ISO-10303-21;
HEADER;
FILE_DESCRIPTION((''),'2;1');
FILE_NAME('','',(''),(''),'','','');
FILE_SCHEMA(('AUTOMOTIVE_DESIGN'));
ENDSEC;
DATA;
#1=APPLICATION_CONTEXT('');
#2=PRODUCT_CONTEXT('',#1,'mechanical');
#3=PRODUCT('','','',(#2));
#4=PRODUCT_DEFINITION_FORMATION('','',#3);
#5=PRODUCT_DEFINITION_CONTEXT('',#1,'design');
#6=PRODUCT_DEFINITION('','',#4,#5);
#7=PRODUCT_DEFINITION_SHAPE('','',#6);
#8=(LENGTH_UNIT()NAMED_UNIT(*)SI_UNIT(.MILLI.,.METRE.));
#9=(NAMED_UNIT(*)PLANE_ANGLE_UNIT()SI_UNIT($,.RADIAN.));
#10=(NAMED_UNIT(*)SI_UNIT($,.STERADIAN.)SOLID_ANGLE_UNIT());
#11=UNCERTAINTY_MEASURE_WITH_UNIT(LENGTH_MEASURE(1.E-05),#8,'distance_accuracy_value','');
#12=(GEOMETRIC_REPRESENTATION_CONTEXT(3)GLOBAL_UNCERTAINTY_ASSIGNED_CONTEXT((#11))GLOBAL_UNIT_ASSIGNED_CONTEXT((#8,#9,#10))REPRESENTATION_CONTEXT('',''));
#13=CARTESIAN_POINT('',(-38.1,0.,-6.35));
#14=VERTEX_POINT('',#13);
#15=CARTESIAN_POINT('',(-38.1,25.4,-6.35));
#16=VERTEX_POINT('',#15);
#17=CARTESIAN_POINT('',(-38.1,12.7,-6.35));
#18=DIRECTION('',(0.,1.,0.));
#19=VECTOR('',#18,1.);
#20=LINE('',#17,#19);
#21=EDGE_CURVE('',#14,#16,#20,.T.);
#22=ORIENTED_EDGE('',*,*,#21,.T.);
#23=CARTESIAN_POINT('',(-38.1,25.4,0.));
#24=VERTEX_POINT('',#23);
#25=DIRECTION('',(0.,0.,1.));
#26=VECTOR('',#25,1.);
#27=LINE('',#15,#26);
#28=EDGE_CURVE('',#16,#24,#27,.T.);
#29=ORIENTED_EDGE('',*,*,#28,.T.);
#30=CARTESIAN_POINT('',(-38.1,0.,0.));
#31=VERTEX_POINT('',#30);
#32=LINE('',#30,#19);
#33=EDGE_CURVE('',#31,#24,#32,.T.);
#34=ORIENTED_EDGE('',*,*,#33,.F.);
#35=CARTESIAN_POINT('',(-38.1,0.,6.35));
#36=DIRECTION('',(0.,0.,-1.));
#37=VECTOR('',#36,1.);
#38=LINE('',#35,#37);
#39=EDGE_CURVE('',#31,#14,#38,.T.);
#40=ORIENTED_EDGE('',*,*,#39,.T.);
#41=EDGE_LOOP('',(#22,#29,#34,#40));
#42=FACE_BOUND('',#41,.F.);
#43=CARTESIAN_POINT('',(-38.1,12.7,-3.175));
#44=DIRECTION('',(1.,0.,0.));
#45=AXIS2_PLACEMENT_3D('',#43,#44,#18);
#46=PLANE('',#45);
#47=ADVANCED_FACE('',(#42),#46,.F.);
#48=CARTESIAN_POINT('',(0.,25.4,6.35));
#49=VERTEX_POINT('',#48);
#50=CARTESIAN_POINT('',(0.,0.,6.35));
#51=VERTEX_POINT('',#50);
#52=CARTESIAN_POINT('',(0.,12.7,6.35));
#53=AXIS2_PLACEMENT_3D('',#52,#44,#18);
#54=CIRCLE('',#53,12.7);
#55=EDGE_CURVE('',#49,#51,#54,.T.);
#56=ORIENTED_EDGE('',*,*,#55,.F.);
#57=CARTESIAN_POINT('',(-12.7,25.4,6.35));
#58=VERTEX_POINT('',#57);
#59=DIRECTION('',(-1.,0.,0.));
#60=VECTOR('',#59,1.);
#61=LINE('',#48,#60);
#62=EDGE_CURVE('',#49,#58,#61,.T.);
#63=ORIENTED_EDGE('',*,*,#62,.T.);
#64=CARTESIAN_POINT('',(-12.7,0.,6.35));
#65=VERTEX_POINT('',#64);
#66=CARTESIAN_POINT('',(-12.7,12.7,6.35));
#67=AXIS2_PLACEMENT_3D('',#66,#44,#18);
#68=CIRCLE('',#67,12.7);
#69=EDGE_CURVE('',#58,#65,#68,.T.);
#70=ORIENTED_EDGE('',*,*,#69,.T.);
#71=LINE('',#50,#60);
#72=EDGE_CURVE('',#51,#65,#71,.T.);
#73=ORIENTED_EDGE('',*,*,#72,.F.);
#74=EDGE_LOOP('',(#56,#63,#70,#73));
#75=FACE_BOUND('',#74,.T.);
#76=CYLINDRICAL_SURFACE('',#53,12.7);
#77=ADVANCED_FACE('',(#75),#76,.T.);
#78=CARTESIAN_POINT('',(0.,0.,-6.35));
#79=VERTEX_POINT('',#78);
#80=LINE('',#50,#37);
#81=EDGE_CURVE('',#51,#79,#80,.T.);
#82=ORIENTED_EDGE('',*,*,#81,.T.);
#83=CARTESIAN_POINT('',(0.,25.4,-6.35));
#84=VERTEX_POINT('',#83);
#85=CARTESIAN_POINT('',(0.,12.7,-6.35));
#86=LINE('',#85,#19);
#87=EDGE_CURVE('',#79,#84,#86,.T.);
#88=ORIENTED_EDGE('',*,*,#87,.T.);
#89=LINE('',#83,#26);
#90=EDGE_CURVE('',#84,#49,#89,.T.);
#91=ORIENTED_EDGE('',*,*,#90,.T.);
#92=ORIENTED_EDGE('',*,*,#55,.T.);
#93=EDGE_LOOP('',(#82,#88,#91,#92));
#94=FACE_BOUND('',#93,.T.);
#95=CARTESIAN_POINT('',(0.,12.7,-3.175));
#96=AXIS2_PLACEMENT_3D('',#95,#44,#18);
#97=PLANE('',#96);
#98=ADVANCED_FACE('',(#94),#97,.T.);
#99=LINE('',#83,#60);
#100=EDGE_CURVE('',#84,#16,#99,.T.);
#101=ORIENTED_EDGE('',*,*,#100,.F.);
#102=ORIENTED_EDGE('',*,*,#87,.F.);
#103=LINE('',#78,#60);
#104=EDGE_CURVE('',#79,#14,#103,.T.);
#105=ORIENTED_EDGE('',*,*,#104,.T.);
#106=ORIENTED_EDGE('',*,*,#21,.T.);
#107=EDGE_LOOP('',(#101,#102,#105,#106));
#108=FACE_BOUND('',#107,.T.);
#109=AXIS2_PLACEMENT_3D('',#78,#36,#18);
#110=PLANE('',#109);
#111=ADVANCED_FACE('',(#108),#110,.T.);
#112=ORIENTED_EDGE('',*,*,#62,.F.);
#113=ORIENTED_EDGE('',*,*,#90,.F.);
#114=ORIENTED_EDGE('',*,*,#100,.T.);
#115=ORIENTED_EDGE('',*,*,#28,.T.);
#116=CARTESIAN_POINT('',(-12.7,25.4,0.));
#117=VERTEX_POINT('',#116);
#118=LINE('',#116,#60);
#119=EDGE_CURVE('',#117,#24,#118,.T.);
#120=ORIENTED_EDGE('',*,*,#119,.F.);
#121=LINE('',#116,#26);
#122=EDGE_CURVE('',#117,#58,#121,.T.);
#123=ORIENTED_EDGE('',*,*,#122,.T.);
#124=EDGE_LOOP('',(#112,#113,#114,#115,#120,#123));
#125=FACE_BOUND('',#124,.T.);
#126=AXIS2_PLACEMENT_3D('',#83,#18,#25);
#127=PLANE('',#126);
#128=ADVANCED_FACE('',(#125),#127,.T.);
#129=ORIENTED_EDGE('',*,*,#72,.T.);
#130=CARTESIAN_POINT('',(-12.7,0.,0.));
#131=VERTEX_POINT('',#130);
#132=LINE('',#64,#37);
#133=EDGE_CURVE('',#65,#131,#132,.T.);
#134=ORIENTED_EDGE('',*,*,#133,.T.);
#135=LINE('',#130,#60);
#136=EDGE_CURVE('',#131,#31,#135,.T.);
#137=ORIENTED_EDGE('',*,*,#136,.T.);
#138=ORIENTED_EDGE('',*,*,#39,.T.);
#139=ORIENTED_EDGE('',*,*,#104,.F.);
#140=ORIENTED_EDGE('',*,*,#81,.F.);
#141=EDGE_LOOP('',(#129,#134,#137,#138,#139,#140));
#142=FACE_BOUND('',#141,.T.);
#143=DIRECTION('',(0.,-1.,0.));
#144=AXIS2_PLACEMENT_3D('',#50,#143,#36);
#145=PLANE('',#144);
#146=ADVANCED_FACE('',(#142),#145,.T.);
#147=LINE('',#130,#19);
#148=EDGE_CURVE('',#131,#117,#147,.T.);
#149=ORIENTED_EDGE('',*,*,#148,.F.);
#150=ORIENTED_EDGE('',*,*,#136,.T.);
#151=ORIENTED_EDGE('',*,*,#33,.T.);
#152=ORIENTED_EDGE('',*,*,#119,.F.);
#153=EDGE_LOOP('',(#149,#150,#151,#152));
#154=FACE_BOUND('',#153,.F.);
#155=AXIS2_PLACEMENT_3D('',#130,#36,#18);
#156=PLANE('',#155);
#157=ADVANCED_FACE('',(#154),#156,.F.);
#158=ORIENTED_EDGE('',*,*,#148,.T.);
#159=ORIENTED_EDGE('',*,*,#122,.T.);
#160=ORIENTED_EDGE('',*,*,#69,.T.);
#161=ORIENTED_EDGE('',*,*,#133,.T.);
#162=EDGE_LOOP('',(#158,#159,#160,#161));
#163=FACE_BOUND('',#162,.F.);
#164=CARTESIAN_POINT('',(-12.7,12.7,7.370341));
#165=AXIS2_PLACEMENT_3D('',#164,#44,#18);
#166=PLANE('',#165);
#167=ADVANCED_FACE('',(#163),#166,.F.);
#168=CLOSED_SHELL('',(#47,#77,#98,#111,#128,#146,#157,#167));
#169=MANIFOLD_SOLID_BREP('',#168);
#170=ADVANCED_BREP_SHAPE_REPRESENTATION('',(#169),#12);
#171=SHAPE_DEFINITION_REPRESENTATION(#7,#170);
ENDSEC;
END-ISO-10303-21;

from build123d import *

# Parameters (mm, degrees)
F0_W     = 25.4
F0_H     = 6.35
F1_DEPTH = 38.1
F2_START = -12.7
F2_DEPTH = 25.4


with BuildPart() as f1:
    # F0 (on Right) → F1 (new body)
    with BuildSketch(Plane.YZ):
        with Locations((12.7, -3.175)):
            Rectangle(F0_W, F0_H)
        with BuildLine():
            Line((0, 6.35), (0, 0))
            Line((0, 0), (25.4, 0))
            Line((25.4, 0), (25.4, 6.35))
            ThreePointArc((25.4, 6.35), (12.7, 19.05), (0, 6.35))
        make_face()
    extrude(amount=-F1_DEPTH)

    # F0 (on Right) → F2 (cut)
    with BuildSketch(Plane.YZ.offset(F2_START)):
        with BuildLine():
            Line((0, 6.35), (0, 0))
            Line((0, 0), (25.4, 0))
            Line((25.4, 0), (25.4, 6.35))
            ThreePointArc((25.4, 6.35), (12.7, 19.05), (0, 6.35))
        make_face()
    extrude(amount=-F2_DEPTH, mode=Mode.SUBTRACT)


solid = f1.part
